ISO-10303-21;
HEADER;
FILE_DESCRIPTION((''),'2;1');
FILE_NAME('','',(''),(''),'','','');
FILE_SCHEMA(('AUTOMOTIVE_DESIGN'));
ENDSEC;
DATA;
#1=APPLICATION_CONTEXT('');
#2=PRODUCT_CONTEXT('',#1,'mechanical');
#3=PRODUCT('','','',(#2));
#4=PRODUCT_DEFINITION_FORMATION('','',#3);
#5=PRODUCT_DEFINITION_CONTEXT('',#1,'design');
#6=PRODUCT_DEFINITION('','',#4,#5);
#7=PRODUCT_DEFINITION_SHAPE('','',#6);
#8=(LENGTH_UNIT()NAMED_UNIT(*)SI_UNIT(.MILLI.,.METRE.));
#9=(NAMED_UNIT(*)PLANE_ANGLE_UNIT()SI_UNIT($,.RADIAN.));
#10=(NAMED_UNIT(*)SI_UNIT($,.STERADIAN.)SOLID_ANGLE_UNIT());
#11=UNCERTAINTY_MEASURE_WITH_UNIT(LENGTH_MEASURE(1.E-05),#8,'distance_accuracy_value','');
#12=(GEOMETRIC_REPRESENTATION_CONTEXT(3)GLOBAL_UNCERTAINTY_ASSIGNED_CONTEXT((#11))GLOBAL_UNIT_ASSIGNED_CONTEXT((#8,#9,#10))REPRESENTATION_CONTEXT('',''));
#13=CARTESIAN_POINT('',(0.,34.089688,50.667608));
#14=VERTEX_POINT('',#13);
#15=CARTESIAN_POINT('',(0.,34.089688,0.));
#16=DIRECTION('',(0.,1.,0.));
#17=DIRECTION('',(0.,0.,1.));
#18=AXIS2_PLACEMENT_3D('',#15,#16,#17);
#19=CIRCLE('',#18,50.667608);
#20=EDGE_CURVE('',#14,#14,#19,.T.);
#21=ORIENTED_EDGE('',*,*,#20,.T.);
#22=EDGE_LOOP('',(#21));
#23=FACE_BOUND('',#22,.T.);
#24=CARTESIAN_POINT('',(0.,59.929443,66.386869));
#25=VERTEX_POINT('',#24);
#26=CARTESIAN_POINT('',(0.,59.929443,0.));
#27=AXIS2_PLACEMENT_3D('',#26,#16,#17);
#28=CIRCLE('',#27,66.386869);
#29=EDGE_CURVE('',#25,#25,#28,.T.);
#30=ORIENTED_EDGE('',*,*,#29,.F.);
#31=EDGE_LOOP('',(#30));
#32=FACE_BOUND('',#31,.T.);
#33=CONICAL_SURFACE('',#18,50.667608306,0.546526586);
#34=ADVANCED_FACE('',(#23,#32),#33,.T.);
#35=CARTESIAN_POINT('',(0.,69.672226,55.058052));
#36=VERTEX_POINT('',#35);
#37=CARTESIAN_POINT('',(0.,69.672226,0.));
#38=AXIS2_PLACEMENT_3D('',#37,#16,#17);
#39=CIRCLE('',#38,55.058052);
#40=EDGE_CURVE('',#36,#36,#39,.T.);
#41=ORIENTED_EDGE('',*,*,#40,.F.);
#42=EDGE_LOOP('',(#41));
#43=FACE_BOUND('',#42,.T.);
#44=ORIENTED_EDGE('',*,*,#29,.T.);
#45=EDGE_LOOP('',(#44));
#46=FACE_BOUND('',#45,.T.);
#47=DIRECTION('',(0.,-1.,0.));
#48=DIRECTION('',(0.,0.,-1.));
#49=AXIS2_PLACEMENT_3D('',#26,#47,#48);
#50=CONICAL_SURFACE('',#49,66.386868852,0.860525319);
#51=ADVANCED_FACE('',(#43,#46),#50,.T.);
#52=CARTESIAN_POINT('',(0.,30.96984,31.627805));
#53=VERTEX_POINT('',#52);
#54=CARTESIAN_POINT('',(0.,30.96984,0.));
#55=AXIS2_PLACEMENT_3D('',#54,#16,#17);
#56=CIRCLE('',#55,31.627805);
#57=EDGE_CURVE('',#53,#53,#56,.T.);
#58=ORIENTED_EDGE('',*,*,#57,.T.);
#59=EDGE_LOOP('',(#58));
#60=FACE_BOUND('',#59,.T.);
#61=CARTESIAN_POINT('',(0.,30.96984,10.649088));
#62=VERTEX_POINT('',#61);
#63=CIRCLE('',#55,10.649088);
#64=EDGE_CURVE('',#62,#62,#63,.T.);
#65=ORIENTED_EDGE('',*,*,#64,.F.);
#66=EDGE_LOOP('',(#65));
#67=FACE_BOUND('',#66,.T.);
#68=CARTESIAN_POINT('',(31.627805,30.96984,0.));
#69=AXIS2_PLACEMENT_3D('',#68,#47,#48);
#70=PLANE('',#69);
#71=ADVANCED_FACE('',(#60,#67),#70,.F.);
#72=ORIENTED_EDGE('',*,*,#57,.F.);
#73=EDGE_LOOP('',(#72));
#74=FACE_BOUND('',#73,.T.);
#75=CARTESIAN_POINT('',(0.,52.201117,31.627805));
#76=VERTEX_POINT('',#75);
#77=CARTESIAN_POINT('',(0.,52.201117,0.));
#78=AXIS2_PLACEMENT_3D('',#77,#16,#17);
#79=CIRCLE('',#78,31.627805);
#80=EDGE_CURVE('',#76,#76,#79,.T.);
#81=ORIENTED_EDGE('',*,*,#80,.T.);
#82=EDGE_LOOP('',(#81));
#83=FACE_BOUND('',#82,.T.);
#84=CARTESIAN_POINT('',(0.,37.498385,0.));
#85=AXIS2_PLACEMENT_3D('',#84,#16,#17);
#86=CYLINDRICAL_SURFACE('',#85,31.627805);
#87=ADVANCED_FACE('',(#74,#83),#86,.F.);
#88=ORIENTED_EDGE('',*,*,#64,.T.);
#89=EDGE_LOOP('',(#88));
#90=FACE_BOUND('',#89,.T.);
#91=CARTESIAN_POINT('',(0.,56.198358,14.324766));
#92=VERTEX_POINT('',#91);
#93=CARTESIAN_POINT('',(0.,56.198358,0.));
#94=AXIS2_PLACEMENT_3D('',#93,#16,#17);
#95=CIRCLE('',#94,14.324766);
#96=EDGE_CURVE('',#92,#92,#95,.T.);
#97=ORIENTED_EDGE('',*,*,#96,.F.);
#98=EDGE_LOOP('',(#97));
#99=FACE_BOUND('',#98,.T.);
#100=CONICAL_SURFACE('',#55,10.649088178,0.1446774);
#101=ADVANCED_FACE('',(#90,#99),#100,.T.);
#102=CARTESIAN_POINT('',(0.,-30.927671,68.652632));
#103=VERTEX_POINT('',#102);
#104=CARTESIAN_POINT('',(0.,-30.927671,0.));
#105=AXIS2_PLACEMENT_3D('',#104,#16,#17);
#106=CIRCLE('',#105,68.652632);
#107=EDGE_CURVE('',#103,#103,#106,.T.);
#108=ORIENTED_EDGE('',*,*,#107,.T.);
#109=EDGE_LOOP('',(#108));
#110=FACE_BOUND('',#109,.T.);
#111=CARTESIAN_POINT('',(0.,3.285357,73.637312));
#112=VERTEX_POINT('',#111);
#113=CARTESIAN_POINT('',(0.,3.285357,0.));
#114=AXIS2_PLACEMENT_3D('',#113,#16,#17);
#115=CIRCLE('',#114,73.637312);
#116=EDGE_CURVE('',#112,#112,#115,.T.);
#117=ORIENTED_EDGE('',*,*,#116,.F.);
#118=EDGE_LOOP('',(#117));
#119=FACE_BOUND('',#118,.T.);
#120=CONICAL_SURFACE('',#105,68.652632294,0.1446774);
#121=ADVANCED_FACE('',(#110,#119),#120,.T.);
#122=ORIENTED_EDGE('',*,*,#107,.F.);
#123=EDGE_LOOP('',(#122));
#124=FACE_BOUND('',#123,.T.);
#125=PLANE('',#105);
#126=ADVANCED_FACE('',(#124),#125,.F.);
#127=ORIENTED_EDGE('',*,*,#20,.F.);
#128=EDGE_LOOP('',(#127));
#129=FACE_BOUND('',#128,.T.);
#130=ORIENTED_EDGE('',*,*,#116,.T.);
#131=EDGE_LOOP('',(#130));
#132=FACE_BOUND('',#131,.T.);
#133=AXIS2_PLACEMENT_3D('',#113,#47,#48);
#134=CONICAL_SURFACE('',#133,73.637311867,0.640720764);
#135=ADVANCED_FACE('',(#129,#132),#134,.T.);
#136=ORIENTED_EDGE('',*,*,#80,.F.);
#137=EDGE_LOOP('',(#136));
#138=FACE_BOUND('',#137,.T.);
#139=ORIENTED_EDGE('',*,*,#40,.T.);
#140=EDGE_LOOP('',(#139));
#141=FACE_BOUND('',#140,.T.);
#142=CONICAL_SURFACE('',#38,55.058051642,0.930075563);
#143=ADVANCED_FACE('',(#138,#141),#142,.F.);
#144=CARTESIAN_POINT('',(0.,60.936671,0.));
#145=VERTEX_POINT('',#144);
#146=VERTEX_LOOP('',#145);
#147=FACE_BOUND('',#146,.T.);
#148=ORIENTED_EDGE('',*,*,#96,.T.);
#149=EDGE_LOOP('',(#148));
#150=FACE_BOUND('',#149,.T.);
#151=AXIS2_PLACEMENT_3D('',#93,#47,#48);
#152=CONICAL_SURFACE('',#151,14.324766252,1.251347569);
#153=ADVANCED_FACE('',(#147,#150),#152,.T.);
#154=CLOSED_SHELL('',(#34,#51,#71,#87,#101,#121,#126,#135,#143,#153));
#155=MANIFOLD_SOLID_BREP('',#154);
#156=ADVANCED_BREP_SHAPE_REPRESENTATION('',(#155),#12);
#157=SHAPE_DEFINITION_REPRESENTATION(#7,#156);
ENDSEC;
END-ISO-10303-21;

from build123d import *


with BuildPart() as part:
    # Sketch1 → Revolve1 (revolve)
    with BuildSketch(Plane.XY, mode=Mode.PRIVATE) as revolve1_sk:
        Polygon((0, 37.498384966), (0, -30.927670984), (68.652632294, -30.927670984), (73.637311867, 3.285356991), (50.667608306, 34.089688123), (66.386868852, 59.929443042), (55.058051642, 69.672225843), (31.627805024, 52.201117093), (31.627805024, 48.827202176), (31.627805024, 30.969839997), (10.649088178, 30.969839997), (14.324766252, 56.198357692), (0, 60.936671468), align=None)
    revolve(revolve1_sk.sketch.rotate(Axis((0, 37.498384966, 0), (0, -1, 0)), 90), axis=Axis((0, 37.498384966, 0), (0, -1, 0)))


solid = part.part
